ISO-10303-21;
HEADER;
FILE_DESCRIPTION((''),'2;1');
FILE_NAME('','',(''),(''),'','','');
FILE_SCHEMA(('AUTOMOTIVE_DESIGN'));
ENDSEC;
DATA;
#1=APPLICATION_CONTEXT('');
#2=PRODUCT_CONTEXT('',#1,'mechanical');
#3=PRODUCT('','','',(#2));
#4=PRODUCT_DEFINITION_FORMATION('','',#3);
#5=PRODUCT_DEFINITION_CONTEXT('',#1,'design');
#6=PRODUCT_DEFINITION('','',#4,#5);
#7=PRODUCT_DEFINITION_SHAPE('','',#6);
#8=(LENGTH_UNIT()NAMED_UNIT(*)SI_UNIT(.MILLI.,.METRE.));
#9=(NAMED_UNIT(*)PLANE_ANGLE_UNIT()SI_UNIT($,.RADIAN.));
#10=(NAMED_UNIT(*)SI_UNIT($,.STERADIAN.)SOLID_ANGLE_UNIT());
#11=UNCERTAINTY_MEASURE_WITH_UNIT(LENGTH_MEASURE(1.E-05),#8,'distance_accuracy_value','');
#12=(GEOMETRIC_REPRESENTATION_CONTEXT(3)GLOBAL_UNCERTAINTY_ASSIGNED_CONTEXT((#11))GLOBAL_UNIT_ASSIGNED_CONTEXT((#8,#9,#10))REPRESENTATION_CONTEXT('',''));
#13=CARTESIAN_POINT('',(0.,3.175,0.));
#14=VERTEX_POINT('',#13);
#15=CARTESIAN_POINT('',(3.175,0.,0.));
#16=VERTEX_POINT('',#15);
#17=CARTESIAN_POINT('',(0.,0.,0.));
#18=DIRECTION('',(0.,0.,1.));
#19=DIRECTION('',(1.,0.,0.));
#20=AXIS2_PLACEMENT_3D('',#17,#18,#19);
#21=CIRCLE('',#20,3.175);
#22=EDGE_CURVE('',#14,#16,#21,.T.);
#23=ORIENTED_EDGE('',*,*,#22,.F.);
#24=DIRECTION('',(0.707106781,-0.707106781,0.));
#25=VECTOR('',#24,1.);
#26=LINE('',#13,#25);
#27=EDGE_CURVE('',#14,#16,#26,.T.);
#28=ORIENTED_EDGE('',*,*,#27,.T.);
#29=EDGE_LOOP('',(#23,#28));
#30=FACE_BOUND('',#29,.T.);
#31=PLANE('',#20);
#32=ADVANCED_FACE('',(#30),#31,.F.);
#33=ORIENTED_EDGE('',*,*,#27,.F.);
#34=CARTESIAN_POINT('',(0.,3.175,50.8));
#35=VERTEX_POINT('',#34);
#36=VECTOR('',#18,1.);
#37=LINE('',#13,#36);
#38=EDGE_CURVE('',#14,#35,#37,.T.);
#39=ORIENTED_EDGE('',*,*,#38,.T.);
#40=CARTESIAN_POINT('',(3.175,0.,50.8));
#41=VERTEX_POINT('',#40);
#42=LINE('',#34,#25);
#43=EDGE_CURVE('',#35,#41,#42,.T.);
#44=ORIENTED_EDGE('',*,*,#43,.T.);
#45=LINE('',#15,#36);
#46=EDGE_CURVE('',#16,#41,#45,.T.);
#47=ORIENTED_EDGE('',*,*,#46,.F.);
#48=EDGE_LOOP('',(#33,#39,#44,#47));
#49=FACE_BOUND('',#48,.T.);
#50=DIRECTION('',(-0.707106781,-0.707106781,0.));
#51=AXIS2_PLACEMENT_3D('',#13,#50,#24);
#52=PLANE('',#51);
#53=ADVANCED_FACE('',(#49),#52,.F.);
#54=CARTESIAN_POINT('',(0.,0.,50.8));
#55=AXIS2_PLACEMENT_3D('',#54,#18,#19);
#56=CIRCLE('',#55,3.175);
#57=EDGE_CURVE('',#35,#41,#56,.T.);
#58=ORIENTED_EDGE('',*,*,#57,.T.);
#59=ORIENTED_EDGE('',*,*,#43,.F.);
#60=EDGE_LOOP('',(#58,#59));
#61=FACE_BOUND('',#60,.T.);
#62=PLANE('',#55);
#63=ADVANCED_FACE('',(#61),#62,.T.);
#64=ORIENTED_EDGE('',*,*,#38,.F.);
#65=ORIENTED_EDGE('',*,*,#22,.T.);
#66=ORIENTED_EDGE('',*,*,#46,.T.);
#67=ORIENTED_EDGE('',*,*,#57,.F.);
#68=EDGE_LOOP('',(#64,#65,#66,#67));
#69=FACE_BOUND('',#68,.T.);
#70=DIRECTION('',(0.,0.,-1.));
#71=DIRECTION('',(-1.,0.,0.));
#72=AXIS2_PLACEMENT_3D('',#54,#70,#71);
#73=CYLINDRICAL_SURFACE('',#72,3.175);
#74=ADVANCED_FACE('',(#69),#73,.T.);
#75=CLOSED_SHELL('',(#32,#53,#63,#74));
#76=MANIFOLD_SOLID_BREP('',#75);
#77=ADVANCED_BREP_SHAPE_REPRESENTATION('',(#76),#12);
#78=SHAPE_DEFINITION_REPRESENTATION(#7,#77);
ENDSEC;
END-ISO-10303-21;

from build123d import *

# Parameters (mm, degrees)
SKETCH1_R           = 3.175
BOSS_EXTRUDE1_DEPTH = 50.8
CUT_EXTRUDE1_DEPTH  = 51.998051433


with BuildPart() as part:
    # Sketch1 → Boss-Extrude1 (new body)
    with BuildSketch(Plane.XY):
        Circle(SKETCH1_R)
    extrude(amount=BOSS_EXTRUDE1_DEPTH)

    # Sketch2 → Cut-Extrude1 (cut, through all)
    with BuildSketch(Plane.XY.offset(50.8)):
        with BuildLine():
            Line((0, 3.175), (3.175, 0))
            ThreePointArc((3.175, 0), (2.24506403, 2.24506403), (0, 3.175))
        make_face()
    extrude(amount=-CUT_EXTRUDE1_DEPTH, mode=Mode.SUBTRACT)


solid = part.part
